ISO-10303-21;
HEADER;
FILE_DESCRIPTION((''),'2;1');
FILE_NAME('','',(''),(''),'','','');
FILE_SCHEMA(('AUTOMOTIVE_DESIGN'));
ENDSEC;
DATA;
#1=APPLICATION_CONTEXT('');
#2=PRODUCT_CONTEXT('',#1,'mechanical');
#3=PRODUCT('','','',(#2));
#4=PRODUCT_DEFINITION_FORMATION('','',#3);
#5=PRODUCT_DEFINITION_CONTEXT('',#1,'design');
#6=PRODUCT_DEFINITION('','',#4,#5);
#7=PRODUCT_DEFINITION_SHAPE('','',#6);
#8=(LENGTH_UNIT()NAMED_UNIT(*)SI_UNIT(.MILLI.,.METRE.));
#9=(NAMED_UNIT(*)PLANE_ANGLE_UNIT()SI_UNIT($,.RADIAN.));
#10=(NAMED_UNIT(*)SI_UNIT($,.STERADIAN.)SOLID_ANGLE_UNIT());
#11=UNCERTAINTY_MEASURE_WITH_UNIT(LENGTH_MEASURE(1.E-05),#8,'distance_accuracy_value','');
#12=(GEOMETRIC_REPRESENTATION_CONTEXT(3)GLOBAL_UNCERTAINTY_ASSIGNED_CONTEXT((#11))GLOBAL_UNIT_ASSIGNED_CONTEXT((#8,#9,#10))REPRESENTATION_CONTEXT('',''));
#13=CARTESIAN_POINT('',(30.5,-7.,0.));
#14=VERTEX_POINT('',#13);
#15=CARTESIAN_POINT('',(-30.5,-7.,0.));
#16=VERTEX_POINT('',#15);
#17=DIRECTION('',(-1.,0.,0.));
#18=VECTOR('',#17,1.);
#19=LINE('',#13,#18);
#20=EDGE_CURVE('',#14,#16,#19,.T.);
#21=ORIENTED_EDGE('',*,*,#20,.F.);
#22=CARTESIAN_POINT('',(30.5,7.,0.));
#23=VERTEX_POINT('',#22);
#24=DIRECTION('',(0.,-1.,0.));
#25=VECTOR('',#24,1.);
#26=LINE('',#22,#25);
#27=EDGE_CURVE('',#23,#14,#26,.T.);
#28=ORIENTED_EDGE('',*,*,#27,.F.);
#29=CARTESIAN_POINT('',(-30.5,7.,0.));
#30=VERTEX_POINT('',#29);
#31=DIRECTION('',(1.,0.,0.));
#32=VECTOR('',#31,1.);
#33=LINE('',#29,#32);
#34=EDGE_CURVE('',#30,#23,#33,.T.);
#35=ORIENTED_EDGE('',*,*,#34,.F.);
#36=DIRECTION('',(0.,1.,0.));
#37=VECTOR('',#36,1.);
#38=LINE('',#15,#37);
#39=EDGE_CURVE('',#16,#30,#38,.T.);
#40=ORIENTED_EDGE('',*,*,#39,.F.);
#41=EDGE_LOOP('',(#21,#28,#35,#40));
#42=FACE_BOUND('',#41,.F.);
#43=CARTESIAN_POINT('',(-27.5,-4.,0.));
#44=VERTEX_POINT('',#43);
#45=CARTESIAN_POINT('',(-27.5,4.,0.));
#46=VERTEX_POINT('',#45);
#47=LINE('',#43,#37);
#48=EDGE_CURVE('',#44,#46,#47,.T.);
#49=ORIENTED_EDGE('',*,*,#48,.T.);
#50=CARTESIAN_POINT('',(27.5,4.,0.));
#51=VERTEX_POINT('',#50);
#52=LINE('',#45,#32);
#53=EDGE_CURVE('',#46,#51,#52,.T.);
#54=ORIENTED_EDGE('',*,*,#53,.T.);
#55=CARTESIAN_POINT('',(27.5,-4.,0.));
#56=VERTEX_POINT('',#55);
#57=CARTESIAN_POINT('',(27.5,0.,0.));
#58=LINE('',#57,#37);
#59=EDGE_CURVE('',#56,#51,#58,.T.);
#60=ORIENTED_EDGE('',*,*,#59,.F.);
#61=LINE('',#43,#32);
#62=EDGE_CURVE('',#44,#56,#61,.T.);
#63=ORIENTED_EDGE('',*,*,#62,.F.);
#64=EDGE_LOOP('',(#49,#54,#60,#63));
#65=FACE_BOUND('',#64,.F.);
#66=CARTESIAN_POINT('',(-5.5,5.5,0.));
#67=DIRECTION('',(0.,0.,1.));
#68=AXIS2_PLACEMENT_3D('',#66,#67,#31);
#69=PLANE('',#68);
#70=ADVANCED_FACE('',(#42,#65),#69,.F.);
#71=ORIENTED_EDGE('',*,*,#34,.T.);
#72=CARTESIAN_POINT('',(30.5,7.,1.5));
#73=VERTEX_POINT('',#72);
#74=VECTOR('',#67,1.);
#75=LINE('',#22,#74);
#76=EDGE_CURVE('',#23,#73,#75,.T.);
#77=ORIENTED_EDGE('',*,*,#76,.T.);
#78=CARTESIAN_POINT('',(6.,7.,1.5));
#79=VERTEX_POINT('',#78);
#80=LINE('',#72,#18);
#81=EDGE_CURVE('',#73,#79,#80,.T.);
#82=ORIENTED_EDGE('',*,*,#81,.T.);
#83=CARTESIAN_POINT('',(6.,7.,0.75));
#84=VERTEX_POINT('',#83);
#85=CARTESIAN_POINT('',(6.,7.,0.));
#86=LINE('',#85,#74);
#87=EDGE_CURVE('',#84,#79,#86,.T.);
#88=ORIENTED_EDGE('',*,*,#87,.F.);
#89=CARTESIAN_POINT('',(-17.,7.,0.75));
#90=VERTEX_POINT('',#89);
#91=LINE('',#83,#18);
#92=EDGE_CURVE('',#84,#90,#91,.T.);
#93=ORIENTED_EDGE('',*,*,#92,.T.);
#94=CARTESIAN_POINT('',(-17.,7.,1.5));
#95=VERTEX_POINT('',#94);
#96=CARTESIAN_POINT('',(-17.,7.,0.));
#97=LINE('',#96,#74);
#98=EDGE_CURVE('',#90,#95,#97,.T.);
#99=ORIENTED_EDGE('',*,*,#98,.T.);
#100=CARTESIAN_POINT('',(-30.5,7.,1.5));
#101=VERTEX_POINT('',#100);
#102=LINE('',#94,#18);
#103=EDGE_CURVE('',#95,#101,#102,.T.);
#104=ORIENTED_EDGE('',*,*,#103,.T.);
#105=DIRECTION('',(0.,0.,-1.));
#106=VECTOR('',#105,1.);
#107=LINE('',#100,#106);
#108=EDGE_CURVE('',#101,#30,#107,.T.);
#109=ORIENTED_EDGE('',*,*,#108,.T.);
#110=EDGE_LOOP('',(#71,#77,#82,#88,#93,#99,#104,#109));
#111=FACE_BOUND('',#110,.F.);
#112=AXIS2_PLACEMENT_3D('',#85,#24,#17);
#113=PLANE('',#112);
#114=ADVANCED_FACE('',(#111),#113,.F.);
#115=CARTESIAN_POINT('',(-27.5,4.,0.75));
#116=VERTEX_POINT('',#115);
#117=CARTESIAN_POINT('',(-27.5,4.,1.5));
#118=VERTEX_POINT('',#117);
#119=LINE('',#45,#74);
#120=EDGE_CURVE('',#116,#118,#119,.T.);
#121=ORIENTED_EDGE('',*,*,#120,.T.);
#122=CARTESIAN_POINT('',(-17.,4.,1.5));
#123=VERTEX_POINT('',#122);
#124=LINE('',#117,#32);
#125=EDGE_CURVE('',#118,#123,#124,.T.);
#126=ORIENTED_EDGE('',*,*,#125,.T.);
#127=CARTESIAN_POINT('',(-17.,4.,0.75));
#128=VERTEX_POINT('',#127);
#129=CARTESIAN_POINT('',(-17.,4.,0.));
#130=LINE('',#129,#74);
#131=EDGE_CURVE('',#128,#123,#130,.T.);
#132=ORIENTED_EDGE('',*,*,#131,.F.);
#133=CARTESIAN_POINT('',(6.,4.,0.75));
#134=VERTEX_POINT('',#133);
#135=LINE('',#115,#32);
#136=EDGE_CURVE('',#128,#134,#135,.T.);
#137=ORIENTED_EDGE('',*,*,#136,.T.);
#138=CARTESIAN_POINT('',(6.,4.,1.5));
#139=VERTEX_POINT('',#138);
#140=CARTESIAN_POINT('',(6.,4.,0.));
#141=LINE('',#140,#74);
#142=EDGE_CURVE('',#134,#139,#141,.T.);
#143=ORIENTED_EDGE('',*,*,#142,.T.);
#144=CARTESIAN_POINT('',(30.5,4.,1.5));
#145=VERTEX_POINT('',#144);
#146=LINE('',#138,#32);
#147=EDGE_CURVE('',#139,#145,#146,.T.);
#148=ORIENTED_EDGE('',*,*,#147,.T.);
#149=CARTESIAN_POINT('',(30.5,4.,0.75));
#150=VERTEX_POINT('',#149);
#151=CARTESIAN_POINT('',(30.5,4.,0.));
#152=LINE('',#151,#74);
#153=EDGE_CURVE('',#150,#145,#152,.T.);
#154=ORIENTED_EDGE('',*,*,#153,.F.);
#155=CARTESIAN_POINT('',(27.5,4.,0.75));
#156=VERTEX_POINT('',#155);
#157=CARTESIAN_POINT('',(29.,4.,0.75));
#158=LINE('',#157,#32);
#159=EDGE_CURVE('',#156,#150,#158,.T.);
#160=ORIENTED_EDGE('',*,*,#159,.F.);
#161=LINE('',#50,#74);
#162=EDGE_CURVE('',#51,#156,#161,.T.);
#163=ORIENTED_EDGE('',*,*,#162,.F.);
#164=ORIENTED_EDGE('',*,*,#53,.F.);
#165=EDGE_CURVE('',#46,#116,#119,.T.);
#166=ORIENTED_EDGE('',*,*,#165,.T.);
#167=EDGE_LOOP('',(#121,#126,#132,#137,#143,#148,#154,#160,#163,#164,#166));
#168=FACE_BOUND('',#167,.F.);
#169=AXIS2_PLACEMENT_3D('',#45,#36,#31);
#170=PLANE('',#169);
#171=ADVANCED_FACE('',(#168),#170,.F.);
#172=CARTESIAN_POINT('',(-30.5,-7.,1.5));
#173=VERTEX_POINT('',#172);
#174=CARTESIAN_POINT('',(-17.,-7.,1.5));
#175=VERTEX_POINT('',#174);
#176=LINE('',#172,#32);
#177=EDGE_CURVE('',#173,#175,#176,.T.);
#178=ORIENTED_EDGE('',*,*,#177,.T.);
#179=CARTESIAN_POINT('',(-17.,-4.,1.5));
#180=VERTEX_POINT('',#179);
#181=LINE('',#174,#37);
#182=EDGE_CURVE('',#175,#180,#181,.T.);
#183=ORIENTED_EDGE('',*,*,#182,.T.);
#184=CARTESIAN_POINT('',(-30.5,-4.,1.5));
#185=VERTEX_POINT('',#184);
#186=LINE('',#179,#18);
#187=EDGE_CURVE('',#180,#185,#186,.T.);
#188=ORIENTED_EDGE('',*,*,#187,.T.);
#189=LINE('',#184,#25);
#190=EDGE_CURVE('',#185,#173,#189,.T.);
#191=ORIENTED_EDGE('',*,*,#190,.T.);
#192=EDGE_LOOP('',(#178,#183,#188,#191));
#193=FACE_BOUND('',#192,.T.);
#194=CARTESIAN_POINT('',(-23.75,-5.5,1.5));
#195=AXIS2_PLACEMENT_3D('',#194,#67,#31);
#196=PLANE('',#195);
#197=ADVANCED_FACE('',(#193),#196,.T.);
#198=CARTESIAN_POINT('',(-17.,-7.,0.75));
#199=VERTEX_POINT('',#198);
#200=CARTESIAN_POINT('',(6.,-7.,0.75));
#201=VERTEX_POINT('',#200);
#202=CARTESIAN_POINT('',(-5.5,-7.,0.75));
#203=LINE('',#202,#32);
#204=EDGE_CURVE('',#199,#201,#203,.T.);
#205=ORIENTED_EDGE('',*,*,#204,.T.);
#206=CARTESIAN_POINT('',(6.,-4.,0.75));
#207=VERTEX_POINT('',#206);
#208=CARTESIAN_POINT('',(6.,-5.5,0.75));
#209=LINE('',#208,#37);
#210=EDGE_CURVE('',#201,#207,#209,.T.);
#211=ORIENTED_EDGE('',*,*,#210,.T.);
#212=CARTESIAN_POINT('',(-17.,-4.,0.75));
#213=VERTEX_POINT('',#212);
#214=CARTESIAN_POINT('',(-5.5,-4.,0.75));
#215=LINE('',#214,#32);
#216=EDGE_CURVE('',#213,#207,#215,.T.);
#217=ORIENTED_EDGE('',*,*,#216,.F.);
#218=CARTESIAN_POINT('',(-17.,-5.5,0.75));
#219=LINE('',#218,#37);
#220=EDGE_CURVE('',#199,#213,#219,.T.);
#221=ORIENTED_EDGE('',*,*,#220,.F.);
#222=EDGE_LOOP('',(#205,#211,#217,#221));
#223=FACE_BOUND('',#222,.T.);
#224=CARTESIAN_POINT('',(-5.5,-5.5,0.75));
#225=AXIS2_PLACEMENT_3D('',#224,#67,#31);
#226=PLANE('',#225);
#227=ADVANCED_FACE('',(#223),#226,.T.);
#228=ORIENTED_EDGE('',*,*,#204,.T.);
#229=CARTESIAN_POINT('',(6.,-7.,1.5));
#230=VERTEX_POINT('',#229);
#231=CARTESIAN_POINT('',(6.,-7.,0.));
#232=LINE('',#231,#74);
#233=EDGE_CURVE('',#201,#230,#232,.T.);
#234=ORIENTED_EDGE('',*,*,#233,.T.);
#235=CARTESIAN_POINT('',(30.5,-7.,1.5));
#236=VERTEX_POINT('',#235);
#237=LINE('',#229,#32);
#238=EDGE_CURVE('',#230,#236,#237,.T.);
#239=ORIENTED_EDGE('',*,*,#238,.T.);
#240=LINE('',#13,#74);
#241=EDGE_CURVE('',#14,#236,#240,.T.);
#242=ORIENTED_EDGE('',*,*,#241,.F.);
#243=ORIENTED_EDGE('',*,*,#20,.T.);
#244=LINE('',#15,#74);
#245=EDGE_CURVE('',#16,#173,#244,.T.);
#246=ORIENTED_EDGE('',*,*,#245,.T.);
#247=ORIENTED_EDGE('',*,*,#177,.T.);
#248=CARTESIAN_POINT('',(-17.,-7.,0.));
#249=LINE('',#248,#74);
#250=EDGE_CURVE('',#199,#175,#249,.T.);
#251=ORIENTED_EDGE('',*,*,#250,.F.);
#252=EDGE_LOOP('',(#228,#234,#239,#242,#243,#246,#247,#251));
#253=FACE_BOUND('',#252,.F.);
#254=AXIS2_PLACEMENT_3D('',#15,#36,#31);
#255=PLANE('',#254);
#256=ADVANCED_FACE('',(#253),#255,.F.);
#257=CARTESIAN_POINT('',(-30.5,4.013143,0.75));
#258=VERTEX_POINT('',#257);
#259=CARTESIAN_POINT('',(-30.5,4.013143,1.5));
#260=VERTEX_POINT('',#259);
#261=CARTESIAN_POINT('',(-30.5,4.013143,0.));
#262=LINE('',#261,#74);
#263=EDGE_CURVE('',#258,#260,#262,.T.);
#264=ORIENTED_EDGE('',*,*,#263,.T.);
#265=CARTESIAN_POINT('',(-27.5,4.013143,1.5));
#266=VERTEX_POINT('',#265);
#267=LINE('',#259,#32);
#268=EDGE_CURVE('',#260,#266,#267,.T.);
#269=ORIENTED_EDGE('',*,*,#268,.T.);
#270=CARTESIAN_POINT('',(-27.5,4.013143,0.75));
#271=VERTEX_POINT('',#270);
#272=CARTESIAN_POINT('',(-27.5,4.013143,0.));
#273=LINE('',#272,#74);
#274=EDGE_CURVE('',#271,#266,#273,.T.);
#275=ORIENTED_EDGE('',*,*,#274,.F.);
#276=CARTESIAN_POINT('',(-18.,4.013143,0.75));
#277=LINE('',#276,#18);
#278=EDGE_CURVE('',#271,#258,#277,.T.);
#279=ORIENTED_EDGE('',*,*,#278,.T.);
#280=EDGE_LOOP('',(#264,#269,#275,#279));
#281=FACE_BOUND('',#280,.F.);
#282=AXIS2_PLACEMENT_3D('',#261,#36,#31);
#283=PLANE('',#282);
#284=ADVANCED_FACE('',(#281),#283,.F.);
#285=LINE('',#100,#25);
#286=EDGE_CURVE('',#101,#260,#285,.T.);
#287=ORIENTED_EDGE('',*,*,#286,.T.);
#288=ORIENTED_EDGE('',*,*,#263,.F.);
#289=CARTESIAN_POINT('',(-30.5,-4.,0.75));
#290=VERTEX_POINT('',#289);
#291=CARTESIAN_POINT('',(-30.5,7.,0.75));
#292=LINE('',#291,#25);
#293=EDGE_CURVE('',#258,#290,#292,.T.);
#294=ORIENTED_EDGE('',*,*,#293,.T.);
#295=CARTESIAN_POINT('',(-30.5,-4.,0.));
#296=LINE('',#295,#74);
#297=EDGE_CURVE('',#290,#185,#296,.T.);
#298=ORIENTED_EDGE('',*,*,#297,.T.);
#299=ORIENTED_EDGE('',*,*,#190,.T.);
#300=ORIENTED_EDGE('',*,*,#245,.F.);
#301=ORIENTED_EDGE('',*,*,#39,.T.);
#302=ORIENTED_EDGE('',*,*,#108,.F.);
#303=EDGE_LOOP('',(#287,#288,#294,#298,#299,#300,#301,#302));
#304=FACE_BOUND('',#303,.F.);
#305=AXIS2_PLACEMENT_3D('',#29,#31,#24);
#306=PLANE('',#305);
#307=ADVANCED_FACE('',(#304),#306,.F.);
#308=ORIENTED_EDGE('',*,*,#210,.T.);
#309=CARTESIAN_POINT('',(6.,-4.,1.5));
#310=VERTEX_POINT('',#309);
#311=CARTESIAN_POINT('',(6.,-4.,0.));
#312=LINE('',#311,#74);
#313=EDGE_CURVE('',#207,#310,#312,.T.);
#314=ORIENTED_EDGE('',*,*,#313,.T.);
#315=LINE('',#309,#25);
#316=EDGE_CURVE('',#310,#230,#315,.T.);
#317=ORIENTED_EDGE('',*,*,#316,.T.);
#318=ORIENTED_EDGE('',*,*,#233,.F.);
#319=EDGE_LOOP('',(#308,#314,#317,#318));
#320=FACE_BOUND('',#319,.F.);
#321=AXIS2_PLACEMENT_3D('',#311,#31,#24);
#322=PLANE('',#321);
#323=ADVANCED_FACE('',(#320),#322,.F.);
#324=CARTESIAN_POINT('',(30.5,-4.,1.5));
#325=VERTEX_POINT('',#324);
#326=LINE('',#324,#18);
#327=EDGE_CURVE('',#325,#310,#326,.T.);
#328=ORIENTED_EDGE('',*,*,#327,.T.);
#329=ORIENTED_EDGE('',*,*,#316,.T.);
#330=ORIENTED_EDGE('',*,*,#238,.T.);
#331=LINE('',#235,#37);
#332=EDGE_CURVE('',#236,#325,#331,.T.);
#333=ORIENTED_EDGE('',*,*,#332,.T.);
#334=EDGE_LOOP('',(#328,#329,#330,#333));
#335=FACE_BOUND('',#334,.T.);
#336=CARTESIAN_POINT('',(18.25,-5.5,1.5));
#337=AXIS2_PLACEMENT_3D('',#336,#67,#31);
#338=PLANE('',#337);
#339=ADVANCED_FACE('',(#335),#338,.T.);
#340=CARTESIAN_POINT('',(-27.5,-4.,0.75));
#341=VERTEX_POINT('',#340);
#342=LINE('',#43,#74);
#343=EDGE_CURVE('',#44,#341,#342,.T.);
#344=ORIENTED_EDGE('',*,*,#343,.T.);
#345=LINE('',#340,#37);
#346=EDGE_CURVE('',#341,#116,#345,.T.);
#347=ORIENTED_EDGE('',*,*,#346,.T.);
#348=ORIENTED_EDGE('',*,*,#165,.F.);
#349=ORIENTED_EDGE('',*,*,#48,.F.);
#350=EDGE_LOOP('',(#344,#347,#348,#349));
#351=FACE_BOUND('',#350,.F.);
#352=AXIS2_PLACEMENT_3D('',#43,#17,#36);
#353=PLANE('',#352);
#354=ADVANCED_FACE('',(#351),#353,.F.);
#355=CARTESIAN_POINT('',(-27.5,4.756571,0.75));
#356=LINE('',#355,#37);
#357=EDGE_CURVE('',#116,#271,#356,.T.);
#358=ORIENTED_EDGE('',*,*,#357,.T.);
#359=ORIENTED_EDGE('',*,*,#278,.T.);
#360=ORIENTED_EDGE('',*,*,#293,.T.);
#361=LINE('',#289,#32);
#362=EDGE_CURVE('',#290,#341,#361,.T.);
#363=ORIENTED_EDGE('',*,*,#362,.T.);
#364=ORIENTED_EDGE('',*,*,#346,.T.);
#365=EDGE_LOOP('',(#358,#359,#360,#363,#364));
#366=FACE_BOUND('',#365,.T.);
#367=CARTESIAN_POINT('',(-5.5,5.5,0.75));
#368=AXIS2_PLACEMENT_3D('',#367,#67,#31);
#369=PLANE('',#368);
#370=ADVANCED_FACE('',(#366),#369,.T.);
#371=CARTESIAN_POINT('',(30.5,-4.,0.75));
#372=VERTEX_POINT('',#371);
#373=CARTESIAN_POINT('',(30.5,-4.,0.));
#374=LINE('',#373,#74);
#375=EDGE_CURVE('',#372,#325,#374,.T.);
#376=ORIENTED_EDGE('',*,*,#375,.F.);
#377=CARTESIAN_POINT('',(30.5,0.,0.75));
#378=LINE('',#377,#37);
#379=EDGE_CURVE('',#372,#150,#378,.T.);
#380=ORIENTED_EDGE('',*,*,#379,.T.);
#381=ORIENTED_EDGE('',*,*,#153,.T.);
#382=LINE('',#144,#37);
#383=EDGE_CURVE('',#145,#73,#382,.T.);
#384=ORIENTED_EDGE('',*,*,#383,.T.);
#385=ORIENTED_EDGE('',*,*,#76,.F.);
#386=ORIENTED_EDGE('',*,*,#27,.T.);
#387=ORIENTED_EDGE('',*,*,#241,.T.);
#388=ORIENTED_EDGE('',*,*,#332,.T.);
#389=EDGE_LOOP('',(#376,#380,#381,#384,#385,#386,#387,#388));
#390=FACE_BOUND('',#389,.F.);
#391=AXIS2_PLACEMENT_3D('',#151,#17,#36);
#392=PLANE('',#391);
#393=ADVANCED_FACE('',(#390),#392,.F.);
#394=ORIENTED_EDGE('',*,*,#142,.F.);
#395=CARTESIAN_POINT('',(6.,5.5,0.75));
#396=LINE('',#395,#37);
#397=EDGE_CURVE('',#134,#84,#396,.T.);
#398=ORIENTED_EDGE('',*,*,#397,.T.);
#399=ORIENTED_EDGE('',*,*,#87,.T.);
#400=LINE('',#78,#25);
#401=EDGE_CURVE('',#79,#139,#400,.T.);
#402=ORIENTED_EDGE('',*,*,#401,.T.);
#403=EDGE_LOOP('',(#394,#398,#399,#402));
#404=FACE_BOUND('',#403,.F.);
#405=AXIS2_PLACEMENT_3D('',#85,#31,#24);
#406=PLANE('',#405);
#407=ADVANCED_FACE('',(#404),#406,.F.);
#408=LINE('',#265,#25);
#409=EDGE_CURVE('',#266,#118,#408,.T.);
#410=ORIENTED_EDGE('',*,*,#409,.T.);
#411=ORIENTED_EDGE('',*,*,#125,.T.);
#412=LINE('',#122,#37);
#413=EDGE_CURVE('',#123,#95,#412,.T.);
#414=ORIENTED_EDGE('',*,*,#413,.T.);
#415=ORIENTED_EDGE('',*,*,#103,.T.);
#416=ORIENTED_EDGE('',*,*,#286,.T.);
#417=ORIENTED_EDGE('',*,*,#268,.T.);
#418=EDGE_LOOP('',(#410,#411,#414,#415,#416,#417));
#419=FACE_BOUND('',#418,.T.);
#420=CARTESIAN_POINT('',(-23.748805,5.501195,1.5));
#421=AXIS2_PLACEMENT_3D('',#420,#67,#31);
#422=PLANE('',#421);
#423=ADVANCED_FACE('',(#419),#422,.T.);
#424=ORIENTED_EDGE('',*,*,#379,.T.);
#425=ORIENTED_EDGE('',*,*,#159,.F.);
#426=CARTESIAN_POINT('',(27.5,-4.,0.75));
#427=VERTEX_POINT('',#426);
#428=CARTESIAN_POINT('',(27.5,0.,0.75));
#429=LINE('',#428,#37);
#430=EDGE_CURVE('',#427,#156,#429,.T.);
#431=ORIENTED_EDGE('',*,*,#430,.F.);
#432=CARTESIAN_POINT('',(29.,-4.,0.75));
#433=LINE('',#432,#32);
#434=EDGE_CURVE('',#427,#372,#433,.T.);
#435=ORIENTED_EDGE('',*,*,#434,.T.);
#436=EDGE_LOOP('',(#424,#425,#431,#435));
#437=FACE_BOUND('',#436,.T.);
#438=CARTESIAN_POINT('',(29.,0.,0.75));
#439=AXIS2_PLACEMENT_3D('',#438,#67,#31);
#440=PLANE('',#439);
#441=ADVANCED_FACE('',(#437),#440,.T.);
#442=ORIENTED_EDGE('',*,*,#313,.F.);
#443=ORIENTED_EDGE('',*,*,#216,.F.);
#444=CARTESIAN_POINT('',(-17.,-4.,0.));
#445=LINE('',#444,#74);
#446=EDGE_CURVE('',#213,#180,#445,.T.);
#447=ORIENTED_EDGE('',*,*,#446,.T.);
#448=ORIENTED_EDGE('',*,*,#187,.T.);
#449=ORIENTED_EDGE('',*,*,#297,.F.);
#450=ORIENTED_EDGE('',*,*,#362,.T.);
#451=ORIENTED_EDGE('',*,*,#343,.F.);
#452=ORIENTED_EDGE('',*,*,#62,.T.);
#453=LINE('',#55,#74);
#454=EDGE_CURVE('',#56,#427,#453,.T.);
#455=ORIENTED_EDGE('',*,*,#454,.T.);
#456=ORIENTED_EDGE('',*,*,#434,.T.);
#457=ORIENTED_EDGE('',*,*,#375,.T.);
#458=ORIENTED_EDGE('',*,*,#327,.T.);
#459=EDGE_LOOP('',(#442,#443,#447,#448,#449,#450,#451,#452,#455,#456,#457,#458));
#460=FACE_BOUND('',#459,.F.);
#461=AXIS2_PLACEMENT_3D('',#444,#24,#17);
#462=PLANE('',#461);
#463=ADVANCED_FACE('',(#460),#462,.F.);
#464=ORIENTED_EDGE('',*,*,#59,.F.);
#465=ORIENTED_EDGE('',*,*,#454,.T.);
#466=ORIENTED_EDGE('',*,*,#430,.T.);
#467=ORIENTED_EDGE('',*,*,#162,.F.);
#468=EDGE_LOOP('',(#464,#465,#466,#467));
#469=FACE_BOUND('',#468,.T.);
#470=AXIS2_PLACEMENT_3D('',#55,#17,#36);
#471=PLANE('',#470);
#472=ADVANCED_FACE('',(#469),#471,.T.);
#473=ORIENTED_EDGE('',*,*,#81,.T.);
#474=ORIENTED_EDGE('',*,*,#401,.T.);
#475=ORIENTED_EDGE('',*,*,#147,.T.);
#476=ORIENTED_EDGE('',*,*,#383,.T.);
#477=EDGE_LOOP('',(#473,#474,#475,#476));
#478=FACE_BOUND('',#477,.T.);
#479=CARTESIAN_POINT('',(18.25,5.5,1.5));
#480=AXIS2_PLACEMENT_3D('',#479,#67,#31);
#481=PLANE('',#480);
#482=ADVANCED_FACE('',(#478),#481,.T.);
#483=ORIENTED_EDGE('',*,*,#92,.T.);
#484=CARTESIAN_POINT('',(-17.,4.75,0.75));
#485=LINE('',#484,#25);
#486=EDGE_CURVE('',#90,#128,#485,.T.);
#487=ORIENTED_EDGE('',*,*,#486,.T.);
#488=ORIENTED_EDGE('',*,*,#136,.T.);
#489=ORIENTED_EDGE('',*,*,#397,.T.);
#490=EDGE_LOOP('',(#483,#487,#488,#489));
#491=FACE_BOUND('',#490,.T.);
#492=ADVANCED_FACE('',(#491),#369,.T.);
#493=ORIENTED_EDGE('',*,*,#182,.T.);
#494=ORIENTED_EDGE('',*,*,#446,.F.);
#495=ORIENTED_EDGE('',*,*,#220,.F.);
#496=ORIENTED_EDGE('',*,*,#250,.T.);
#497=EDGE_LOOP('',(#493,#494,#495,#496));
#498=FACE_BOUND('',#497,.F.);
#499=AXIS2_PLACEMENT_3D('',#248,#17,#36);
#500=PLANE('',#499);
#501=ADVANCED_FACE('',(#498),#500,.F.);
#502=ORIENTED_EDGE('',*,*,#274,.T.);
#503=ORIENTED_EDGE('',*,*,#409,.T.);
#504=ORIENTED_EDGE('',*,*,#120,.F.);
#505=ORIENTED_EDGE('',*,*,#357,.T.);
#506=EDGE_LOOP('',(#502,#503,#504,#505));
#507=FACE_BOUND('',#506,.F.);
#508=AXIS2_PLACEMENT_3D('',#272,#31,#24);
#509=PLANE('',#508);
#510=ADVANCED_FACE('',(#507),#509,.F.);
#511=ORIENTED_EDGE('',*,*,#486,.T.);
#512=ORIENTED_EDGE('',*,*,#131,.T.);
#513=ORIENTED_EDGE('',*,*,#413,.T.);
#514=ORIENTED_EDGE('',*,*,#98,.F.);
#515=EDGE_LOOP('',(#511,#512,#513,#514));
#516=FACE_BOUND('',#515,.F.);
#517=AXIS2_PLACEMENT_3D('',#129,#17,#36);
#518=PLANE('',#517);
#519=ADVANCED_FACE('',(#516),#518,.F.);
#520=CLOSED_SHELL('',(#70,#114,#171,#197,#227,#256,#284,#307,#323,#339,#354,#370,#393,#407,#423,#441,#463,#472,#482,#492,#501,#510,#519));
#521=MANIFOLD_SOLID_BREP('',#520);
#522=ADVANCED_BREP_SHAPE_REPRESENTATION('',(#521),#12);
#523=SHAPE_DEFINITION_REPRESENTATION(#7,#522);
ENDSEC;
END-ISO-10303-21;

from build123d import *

# Parameters (mm, degrees)
F0_W     = 3
F0_H     = 8
F0_W_2   = 23
F0_H_2   = 3
F1_DEPTH = 0.75
F2_DEPTH = 1.5


with BuildPart() as f1:
    # F0 (on Top) → F1 (new body)
    with BuildSketch(Plane.XY):
        with Locations((29, 0)):
            Rectangle(F0_W, F0_H)
        with Locations((-5.5, 5.5)):
            Rectangle(F0_W_2, F0_H_2)
        Polygon((-30.5, 4.013143), (-30.5, -4), (-27.5, -4), (-27.5, 4), (-27.5, 4.013143), align=None)
        with Locations((-5.5, -5.5)):
            Rectangle(F0_W_2, F0_H_2)
        Polygon((-30.5, 7), (-30.5, 4.013143), (-27.5, 4.013143), (-27.5, 4), (-17, 4), (-17, 7), align=None)
    extrude(amount=F1_DEPTH)

    # F0 (on Top) → F2 (join)
    with BuildSketch(Plane.XY):
        Polygon((-30.5, 7), (-30.5, 4.013143), (-27.5, 4.013143), (-27.5, 4), (-17, 4), (-17, 7), align=None)
        Polygon((-30.5, -7), (-17, -7), (-17, -4), (-27.5, -4), (-30.5, -4), align=None)
        Polygon((6, -7), (30.5, -7), (30.5, -4), (27.5, -4), (6, -4), align=None)
        Polygon((27.5, 4), (30.5, 4), (30.5, 7), (6, 7), (6, 4), align=None)
    extrude(amount=F2_DEPTH)


solid = f1.part
